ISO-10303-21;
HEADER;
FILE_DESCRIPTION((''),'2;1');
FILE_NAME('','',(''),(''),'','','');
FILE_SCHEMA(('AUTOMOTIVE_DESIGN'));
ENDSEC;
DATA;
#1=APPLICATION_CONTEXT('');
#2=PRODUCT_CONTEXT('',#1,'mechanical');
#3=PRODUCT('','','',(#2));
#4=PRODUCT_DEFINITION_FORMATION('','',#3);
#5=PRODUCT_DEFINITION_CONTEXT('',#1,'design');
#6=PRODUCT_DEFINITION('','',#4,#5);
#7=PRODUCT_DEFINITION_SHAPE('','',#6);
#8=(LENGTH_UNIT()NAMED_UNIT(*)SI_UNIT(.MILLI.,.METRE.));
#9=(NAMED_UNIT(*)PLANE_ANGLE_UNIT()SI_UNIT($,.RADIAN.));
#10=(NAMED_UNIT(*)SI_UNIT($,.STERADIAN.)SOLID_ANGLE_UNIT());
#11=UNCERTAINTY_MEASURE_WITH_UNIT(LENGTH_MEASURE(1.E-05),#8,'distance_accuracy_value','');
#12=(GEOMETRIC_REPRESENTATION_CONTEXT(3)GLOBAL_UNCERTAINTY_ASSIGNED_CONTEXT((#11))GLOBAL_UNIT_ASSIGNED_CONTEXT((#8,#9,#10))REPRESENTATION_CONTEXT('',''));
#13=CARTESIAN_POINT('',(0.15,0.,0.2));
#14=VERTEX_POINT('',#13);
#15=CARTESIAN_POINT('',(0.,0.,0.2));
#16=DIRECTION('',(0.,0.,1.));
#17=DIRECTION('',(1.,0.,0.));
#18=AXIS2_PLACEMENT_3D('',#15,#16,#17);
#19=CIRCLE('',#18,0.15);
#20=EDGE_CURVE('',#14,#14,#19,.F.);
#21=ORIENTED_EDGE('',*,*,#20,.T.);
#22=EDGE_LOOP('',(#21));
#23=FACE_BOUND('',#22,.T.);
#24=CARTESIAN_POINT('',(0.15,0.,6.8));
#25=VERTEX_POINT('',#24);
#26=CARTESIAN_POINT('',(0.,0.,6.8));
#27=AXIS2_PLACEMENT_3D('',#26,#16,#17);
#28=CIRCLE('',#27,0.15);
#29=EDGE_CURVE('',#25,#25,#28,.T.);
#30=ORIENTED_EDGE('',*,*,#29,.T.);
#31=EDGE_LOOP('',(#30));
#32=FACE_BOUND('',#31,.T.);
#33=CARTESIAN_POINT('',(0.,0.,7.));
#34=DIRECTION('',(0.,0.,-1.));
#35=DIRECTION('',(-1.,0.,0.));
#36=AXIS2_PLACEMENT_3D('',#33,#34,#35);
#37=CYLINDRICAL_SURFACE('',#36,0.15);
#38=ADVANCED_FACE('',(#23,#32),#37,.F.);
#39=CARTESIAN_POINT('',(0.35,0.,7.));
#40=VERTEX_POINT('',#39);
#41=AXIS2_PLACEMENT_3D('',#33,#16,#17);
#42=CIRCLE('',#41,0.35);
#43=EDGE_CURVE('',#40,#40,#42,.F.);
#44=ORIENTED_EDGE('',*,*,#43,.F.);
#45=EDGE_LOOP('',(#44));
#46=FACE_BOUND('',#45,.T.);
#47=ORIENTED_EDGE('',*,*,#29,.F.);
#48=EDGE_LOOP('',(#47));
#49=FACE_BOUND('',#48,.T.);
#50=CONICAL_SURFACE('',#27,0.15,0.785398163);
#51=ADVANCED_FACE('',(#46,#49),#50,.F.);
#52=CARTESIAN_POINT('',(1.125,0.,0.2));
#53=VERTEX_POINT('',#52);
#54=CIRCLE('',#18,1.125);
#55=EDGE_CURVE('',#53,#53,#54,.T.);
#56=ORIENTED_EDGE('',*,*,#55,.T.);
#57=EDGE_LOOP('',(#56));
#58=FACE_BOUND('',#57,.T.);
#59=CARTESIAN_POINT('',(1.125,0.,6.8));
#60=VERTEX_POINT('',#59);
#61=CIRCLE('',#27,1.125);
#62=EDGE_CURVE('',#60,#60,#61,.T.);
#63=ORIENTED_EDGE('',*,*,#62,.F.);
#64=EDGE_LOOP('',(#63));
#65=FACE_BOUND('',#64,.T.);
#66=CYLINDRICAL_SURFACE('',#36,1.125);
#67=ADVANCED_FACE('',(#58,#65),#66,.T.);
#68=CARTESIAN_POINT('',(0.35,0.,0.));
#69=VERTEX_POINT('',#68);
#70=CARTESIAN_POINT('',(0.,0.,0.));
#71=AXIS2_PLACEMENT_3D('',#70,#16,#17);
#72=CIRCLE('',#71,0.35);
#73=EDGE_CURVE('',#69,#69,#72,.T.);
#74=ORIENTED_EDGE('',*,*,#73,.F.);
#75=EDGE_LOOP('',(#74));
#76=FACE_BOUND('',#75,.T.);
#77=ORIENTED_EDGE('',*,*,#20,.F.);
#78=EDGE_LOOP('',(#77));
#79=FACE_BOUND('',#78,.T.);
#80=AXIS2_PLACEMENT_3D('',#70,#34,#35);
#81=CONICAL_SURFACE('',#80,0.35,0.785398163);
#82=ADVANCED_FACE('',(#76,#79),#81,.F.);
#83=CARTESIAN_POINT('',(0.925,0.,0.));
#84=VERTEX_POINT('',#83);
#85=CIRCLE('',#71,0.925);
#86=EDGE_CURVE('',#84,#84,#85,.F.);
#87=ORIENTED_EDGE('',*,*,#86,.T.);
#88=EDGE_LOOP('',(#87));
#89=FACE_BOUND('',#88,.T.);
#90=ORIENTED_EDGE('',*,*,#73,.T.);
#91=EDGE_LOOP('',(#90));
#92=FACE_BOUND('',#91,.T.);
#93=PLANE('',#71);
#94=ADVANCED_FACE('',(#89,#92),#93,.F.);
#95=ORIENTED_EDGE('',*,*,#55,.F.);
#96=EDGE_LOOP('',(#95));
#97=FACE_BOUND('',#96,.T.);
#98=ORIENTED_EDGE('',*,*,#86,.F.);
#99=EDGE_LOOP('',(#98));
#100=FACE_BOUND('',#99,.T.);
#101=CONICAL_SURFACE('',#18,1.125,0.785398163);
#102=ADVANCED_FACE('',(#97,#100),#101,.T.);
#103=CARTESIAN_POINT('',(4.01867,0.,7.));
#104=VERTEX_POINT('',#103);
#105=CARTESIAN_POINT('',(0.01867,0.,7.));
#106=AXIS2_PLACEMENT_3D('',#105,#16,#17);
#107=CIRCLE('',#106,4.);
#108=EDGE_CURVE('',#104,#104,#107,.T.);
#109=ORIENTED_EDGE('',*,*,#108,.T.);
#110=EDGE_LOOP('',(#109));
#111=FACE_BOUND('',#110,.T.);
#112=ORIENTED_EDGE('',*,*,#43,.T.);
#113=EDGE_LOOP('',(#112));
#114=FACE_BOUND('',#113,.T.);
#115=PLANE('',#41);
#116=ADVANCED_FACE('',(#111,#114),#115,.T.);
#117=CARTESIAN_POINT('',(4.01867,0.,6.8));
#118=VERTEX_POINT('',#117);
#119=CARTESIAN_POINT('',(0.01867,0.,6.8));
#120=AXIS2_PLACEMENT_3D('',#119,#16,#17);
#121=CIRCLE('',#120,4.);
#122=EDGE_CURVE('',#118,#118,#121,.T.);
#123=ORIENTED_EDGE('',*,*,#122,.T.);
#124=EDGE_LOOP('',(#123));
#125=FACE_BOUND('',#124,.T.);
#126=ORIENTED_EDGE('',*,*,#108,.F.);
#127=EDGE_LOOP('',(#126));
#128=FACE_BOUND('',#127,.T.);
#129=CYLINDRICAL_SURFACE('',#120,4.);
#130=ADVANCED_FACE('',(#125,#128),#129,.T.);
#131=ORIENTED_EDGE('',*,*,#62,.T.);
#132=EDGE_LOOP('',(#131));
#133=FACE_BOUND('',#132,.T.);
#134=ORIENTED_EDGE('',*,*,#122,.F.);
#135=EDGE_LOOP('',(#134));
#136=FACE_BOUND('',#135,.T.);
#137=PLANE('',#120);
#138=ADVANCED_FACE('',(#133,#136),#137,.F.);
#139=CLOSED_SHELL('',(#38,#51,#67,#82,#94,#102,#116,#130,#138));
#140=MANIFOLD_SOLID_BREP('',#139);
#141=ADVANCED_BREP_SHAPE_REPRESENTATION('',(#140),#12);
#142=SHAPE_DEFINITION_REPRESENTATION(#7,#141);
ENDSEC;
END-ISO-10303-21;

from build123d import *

# Parameters (mm, degrees)
SKETCH1_R           = 1.125
SKETCH1_R_2         = 0.15
BOSS_EXTRUDE1_DEPTH = 7
SKETCH2_R           = 4
SKETCH2_R_2         = 1.125
BOSS_EXTRUDE2_DEPTH = 0.2
CHAMFER1_SIZE       = 0.2


with BuildPart() as part:
    # Sketch1 → Boss-Extrude1 (new body)
    with BuildSketch(Plane.XY):
        Circle(SKETCH1_R)
        Circle(SKETCH1_R_2, mode=Mode.SUBTRACT)
    extrude(amount=BOSS_EXTRUDE1_DEPTH)

    # Sketch2 → Boss-Extrude2 (add)
    with BuildSketch(Plane.XY.offset(7)):
        with Locations((0.018669882, 0)):
            Circle(SKETCH2_R)
        Circle(SKETCH2_R_2, mode=Mode.SUBTRACT)
    extrude(amount=-BOSS_EXTRUDE2_DEPTH)

    # Chamfer1
    chamfer1_edges = [part.edges().sort_by_distance(p)[0] for p in [
        (-1.125, 0, 0),
        (-0.15, 0, 0),
        (-0.15, 0, 7),
    ]]
    chamfer(chamfer1_edges, length=CHAMFER1_SIZE)


solid = part.part
